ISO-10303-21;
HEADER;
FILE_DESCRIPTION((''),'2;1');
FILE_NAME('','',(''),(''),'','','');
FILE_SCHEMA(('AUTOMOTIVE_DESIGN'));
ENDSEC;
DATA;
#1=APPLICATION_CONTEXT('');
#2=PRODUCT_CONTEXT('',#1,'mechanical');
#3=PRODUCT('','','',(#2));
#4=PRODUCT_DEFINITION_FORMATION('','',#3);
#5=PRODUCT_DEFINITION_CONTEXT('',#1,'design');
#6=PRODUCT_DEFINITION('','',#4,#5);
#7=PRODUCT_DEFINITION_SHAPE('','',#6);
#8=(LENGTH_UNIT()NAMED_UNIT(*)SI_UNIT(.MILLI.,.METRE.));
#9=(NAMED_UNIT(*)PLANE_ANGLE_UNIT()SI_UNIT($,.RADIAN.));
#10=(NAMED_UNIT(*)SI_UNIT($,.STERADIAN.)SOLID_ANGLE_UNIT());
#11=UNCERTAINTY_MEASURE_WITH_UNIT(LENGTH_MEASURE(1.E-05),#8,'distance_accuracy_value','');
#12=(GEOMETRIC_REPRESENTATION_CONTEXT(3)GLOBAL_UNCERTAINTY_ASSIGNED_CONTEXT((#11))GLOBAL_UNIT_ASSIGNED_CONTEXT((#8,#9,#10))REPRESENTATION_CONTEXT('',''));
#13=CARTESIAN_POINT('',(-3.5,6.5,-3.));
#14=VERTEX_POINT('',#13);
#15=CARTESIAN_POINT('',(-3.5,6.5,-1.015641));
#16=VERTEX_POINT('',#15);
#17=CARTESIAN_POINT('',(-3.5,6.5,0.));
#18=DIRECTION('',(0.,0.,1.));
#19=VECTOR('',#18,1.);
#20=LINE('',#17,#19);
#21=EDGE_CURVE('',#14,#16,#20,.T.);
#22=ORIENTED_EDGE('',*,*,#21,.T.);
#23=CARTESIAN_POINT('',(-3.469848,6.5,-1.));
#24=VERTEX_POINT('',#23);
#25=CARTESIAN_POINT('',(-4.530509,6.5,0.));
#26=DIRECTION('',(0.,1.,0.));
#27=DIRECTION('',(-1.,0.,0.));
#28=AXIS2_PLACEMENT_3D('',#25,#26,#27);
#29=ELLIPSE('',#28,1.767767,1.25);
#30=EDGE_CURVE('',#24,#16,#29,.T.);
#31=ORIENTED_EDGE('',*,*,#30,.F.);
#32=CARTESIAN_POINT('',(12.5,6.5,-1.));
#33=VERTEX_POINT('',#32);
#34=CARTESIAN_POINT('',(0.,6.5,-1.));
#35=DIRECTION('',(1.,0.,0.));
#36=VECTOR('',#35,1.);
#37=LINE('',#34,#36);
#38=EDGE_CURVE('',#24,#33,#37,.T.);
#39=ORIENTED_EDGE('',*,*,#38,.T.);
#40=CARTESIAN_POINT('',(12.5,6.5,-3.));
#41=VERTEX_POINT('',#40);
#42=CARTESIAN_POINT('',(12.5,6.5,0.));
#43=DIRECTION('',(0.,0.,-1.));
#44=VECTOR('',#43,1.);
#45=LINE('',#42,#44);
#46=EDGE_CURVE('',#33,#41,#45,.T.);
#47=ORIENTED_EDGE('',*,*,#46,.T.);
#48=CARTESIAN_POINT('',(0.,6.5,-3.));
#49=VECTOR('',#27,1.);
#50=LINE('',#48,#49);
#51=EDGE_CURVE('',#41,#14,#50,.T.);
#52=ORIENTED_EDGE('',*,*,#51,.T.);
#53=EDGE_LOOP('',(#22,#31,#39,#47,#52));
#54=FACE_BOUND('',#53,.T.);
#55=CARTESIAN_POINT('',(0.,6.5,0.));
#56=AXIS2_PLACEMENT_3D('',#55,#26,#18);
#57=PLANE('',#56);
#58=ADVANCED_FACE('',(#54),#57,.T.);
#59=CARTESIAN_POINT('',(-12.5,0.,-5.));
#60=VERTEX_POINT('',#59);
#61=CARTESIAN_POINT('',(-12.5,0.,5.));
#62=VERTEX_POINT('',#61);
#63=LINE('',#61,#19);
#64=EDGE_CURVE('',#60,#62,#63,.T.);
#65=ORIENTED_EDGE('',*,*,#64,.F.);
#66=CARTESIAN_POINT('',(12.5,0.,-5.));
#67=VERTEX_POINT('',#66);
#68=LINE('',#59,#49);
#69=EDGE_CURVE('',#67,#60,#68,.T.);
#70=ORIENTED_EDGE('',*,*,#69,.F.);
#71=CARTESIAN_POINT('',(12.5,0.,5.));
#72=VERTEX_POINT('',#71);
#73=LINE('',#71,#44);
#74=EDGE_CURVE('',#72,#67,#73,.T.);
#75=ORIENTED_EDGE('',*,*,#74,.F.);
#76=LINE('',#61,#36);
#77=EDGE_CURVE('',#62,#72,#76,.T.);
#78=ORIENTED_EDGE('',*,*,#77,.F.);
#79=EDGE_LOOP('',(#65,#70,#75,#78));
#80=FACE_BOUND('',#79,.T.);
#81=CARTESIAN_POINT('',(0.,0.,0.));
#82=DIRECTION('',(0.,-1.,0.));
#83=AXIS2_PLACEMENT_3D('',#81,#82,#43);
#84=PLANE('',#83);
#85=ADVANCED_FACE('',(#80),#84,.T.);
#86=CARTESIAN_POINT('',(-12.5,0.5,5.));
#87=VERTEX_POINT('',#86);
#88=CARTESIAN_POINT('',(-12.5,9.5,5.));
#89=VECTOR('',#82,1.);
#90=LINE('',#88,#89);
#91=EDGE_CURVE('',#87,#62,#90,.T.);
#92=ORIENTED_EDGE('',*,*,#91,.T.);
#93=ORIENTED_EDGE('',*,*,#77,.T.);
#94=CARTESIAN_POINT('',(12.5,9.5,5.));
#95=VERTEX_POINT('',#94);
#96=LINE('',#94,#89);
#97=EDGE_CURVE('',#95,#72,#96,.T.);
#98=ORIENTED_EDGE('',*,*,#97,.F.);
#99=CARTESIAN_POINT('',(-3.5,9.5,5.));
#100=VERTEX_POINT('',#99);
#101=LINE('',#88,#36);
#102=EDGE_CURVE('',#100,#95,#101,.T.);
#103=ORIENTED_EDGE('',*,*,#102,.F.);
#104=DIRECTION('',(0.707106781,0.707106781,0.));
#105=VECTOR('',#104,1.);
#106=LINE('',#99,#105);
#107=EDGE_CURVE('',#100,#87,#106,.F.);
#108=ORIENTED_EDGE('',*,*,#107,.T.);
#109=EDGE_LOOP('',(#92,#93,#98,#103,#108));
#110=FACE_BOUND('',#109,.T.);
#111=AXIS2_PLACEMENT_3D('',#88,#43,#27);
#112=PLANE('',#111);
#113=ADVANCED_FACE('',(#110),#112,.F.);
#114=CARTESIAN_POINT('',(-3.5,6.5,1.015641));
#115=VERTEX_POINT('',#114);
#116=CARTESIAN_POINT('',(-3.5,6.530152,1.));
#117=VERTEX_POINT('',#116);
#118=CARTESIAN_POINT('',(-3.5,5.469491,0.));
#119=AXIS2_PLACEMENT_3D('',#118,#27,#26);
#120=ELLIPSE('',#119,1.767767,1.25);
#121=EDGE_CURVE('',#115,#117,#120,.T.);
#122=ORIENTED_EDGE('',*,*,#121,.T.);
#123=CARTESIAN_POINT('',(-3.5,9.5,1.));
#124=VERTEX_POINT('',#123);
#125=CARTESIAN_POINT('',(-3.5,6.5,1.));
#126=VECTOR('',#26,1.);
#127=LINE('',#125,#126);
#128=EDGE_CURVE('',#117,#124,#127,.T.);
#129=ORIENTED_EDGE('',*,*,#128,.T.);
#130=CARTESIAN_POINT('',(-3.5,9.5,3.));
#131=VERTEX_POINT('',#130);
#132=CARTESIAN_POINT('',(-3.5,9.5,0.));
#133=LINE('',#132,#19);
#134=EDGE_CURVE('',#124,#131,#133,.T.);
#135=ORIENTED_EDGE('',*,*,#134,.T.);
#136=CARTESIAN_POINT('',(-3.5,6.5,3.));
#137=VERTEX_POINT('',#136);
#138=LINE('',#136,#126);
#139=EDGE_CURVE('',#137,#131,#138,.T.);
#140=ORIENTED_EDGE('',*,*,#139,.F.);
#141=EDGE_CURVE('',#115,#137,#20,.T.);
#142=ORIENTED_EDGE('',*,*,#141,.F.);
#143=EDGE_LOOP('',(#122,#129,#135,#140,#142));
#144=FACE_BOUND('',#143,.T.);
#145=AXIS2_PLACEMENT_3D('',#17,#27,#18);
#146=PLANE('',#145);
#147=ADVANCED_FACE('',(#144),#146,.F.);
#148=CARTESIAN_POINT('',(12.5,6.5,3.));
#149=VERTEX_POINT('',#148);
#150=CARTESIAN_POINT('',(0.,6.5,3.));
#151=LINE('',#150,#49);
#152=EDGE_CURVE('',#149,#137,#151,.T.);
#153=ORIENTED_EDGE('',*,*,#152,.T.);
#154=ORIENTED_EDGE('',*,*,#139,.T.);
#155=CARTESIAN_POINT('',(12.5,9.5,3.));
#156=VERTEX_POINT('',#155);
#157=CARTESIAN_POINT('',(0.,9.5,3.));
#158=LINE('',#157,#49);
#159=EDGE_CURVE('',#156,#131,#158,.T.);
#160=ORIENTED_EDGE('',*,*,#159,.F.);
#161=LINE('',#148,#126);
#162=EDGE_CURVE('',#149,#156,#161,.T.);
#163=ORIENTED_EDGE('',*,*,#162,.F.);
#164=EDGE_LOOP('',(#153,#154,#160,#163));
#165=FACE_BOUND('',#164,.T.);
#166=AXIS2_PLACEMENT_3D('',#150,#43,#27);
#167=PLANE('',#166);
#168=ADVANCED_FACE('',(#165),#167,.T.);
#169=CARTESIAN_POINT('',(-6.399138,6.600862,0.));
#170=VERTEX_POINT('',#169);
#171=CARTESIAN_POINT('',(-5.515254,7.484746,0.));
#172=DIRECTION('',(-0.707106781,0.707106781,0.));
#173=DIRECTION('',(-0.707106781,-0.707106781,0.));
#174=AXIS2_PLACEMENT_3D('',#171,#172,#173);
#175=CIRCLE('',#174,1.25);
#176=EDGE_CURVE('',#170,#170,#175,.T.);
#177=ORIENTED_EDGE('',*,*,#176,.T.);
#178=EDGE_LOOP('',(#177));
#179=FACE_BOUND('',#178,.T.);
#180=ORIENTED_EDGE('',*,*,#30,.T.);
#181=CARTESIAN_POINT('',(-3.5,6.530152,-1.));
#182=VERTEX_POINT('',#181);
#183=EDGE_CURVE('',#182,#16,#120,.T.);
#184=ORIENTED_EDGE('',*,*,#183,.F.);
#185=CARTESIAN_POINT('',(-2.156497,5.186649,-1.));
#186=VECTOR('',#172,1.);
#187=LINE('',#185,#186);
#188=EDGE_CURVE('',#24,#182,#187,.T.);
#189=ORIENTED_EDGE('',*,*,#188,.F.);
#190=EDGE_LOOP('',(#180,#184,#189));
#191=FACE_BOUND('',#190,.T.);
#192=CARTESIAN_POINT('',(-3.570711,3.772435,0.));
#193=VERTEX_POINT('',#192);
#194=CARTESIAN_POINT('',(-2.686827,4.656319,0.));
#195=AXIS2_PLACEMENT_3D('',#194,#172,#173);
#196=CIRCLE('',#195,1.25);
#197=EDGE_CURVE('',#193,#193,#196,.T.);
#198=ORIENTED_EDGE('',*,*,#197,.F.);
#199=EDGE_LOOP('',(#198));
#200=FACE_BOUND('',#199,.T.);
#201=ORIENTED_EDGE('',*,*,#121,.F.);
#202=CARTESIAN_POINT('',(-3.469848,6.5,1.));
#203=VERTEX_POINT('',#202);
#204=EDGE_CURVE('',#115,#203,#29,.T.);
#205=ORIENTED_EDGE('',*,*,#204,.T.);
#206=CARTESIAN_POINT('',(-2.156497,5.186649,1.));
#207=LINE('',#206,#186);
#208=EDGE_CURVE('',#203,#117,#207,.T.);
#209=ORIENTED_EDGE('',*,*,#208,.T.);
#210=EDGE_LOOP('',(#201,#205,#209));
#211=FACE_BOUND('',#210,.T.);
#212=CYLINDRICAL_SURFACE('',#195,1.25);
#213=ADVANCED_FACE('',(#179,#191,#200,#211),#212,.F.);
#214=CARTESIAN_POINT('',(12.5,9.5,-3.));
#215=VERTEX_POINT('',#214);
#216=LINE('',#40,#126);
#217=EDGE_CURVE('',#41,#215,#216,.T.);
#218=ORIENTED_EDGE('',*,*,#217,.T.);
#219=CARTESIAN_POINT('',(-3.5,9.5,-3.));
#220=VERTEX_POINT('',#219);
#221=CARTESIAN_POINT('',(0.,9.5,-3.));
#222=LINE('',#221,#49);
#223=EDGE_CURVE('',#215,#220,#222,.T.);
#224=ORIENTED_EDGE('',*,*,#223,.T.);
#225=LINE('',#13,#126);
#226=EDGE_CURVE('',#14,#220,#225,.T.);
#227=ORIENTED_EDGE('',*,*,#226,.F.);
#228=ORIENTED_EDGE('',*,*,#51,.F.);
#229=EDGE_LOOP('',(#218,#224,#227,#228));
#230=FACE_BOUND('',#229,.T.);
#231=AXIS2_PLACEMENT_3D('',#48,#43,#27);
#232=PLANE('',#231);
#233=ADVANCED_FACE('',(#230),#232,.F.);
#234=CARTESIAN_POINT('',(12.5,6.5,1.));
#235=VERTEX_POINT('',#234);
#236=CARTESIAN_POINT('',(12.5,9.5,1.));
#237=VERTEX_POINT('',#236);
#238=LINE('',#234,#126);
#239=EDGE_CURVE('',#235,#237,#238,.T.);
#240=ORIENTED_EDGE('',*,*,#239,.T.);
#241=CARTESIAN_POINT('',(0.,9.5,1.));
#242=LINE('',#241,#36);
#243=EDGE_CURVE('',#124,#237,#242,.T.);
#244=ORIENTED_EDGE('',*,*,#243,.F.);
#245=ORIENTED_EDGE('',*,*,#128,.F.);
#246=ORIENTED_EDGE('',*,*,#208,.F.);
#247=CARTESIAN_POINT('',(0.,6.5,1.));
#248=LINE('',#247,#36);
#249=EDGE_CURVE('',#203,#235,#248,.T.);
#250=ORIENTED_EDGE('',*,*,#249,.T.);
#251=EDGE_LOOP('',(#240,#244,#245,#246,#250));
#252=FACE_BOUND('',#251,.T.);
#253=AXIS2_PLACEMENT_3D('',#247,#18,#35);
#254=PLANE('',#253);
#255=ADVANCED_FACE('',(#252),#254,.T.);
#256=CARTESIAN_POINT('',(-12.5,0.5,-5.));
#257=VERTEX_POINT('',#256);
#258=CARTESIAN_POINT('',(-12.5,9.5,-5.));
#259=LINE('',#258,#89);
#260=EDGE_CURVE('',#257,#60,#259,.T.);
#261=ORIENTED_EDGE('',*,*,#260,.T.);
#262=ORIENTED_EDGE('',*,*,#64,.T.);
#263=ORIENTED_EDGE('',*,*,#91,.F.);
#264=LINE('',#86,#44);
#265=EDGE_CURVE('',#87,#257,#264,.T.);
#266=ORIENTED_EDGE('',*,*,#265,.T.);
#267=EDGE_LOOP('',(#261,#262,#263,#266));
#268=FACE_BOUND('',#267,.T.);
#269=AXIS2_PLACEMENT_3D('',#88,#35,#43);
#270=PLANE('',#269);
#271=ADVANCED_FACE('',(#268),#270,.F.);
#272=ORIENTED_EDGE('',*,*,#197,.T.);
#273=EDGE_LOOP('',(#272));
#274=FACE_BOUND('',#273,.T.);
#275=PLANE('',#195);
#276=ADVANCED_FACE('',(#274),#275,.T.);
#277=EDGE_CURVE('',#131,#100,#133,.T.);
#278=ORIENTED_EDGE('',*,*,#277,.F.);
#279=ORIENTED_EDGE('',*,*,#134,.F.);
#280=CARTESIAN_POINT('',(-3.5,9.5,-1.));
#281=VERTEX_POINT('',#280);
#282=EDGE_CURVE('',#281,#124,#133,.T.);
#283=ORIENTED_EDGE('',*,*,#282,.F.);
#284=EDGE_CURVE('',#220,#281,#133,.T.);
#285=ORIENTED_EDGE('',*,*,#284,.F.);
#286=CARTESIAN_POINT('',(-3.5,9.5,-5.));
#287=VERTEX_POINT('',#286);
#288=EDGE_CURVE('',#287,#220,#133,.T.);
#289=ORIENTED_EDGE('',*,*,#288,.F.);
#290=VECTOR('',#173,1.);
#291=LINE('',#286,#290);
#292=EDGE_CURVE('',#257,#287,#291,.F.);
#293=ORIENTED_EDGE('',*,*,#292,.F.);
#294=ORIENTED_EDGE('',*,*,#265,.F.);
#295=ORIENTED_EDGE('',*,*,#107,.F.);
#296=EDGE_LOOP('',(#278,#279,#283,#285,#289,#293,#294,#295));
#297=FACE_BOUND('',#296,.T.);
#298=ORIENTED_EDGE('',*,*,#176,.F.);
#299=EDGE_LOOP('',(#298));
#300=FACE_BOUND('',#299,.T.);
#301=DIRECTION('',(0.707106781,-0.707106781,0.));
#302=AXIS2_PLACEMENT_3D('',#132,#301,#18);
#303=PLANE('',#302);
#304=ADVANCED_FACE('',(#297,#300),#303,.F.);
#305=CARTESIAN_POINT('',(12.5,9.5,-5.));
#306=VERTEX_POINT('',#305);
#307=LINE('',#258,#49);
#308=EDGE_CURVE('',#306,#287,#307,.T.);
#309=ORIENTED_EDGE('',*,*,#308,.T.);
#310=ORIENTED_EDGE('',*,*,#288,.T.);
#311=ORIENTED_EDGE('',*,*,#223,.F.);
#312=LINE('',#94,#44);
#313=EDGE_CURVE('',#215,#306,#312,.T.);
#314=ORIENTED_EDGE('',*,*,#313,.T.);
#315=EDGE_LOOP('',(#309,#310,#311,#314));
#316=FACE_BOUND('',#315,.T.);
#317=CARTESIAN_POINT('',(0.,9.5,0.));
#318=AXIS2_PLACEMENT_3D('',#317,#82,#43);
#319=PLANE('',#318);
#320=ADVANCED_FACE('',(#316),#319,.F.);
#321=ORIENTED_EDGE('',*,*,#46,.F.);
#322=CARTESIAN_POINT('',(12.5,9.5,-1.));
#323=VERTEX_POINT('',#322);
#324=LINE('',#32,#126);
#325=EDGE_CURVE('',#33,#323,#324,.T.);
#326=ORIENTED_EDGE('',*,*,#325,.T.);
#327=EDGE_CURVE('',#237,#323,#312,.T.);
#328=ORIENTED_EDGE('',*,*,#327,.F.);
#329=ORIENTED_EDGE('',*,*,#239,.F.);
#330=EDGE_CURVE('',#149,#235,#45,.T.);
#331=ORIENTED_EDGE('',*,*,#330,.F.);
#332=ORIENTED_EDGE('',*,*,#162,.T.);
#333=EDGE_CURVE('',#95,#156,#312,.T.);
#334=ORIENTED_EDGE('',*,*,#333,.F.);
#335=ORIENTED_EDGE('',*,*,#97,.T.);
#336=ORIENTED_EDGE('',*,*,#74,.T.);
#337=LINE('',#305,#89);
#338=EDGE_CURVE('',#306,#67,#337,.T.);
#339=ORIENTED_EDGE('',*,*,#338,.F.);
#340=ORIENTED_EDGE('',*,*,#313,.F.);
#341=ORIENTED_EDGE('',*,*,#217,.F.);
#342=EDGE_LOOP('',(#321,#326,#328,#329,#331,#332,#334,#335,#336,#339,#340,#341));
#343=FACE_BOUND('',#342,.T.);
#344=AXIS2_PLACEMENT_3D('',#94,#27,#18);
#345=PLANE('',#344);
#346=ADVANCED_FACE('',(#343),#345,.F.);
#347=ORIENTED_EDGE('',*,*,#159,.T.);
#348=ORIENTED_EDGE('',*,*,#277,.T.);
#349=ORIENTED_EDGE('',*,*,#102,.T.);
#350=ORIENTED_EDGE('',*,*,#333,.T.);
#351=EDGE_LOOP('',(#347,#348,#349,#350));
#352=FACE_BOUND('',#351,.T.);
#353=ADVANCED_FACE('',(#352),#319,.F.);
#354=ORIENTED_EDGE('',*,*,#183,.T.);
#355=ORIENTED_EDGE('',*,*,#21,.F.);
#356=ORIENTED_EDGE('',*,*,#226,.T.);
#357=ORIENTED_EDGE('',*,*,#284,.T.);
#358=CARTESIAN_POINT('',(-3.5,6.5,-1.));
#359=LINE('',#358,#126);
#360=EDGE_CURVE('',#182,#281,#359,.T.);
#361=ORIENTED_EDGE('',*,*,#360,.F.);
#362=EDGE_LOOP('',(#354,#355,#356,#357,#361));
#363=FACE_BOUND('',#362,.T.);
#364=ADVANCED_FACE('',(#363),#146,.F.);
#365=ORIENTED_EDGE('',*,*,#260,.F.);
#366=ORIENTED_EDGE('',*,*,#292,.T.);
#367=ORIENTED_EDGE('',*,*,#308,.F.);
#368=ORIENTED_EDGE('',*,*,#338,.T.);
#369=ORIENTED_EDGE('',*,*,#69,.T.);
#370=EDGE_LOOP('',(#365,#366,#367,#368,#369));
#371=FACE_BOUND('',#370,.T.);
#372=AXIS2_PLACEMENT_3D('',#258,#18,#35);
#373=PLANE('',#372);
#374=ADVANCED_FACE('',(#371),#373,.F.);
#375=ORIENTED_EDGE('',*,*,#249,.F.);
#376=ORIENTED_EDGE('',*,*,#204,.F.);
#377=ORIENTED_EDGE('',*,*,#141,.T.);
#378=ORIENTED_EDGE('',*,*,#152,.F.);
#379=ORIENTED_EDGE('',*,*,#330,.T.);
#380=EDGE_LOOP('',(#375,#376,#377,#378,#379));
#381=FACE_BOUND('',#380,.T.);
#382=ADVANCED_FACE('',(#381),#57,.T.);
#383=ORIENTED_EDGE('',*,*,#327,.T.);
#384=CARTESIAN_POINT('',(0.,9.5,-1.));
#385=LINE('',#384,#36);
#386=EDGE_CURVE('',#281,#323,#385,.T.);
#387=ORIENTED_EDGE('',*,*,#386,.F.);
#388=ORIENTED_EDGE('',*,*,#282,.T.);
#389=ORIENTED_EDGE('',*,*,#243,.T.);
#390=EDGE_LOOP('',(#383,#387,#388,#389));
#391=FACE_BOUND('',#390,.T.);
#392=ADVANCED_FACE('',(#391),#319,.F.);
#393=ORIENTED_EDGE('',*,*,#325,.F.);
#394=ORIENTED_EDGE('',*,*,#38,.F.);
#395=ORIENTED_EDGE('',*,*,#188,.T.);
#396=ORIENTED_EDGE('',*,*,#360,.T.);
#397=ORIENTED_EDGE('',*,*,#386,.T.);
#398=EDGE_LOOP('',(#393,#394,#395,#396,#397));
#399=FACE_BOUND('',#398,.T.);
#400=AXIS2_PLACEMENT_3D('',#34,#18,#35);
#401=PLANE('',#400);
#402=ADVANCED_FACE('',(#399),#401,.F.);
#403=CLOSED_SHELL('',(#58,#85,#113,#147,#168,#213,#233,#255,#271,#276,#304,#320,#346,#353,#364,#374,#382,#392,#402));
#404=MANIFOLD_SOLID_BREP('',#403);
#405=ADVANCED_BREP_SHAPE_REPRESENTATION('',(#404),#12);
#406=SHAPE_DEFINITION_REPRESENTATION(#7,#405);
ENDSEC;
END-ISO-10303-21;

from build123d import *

# Parameters (mm, degrees)
SKETCH1_W           = 25
SKETCH1_H           = 10
BOSS_EXTRUDE1_DEPTH = 9.5
CHAMFER1_SIZE       = 9
SKETCH3_W           = 16
SKETCH3_H           = 2
CUT_EXTRUDE2_DEPTH  = 3
SKETCH4_R           = 1.25
CUT_EXTRUDE3_DEPTH  = 4


with BuildPart() as part:
    # Sketch1 → Boss-Extrude1 (new body)
    with BuildSketch(Plane(origin=(0, 0, 0), x_dir=(1, 0, 0), z_dir=(0, 1, 0))):
        Rectangle(SKETCH1_W, SKETCH1_H)
    extrude(amount=BOSS_EXTRUDE1_DEPTH)

    # Chamfer1
    chamfer1_edges = [part.edges().sort_by_distance(p)[0] for p in [
        (-12.5, 9.5, 0),
    ]]
    chamfer(chamfer1_edges, length=CHAMFER1_SIZE)

    # Sketch3 → Cut-Extrude2 (cut)
    with BuildSketch(Plane(origin=(0, 9.5, 0), x_dir=(1, 0, 0), z_dir=(0, 1, 0))):
        with Locations((4.5, 2)):
            Rectangle(SKETCH3_W, SKETCH3_H)
        with Locations((4.5, -2)):
            Rectangle(SKETCH3_W, SKETCH3_H)
    extrude(amount=-CUT_EXTRUDE2_DEPTH, mode=Mode.SUBTRACT)

    # Sketch4 → Cut-Extrude3 (cut)
    with BuildSketch(Plane(origin=(-6.5, 6.5, 0), x_dir=(0, 0, 1), z_dir=(-0.707106781, 0.707106781, 0))):
        with Locations((0, 1.392640687)):
            Circle(SKETCH4_R)
    extrude(amount=-CUT_EXTRUDE3_DEPTH, mode=Mode.SUBTRACT)


solid = part.part
